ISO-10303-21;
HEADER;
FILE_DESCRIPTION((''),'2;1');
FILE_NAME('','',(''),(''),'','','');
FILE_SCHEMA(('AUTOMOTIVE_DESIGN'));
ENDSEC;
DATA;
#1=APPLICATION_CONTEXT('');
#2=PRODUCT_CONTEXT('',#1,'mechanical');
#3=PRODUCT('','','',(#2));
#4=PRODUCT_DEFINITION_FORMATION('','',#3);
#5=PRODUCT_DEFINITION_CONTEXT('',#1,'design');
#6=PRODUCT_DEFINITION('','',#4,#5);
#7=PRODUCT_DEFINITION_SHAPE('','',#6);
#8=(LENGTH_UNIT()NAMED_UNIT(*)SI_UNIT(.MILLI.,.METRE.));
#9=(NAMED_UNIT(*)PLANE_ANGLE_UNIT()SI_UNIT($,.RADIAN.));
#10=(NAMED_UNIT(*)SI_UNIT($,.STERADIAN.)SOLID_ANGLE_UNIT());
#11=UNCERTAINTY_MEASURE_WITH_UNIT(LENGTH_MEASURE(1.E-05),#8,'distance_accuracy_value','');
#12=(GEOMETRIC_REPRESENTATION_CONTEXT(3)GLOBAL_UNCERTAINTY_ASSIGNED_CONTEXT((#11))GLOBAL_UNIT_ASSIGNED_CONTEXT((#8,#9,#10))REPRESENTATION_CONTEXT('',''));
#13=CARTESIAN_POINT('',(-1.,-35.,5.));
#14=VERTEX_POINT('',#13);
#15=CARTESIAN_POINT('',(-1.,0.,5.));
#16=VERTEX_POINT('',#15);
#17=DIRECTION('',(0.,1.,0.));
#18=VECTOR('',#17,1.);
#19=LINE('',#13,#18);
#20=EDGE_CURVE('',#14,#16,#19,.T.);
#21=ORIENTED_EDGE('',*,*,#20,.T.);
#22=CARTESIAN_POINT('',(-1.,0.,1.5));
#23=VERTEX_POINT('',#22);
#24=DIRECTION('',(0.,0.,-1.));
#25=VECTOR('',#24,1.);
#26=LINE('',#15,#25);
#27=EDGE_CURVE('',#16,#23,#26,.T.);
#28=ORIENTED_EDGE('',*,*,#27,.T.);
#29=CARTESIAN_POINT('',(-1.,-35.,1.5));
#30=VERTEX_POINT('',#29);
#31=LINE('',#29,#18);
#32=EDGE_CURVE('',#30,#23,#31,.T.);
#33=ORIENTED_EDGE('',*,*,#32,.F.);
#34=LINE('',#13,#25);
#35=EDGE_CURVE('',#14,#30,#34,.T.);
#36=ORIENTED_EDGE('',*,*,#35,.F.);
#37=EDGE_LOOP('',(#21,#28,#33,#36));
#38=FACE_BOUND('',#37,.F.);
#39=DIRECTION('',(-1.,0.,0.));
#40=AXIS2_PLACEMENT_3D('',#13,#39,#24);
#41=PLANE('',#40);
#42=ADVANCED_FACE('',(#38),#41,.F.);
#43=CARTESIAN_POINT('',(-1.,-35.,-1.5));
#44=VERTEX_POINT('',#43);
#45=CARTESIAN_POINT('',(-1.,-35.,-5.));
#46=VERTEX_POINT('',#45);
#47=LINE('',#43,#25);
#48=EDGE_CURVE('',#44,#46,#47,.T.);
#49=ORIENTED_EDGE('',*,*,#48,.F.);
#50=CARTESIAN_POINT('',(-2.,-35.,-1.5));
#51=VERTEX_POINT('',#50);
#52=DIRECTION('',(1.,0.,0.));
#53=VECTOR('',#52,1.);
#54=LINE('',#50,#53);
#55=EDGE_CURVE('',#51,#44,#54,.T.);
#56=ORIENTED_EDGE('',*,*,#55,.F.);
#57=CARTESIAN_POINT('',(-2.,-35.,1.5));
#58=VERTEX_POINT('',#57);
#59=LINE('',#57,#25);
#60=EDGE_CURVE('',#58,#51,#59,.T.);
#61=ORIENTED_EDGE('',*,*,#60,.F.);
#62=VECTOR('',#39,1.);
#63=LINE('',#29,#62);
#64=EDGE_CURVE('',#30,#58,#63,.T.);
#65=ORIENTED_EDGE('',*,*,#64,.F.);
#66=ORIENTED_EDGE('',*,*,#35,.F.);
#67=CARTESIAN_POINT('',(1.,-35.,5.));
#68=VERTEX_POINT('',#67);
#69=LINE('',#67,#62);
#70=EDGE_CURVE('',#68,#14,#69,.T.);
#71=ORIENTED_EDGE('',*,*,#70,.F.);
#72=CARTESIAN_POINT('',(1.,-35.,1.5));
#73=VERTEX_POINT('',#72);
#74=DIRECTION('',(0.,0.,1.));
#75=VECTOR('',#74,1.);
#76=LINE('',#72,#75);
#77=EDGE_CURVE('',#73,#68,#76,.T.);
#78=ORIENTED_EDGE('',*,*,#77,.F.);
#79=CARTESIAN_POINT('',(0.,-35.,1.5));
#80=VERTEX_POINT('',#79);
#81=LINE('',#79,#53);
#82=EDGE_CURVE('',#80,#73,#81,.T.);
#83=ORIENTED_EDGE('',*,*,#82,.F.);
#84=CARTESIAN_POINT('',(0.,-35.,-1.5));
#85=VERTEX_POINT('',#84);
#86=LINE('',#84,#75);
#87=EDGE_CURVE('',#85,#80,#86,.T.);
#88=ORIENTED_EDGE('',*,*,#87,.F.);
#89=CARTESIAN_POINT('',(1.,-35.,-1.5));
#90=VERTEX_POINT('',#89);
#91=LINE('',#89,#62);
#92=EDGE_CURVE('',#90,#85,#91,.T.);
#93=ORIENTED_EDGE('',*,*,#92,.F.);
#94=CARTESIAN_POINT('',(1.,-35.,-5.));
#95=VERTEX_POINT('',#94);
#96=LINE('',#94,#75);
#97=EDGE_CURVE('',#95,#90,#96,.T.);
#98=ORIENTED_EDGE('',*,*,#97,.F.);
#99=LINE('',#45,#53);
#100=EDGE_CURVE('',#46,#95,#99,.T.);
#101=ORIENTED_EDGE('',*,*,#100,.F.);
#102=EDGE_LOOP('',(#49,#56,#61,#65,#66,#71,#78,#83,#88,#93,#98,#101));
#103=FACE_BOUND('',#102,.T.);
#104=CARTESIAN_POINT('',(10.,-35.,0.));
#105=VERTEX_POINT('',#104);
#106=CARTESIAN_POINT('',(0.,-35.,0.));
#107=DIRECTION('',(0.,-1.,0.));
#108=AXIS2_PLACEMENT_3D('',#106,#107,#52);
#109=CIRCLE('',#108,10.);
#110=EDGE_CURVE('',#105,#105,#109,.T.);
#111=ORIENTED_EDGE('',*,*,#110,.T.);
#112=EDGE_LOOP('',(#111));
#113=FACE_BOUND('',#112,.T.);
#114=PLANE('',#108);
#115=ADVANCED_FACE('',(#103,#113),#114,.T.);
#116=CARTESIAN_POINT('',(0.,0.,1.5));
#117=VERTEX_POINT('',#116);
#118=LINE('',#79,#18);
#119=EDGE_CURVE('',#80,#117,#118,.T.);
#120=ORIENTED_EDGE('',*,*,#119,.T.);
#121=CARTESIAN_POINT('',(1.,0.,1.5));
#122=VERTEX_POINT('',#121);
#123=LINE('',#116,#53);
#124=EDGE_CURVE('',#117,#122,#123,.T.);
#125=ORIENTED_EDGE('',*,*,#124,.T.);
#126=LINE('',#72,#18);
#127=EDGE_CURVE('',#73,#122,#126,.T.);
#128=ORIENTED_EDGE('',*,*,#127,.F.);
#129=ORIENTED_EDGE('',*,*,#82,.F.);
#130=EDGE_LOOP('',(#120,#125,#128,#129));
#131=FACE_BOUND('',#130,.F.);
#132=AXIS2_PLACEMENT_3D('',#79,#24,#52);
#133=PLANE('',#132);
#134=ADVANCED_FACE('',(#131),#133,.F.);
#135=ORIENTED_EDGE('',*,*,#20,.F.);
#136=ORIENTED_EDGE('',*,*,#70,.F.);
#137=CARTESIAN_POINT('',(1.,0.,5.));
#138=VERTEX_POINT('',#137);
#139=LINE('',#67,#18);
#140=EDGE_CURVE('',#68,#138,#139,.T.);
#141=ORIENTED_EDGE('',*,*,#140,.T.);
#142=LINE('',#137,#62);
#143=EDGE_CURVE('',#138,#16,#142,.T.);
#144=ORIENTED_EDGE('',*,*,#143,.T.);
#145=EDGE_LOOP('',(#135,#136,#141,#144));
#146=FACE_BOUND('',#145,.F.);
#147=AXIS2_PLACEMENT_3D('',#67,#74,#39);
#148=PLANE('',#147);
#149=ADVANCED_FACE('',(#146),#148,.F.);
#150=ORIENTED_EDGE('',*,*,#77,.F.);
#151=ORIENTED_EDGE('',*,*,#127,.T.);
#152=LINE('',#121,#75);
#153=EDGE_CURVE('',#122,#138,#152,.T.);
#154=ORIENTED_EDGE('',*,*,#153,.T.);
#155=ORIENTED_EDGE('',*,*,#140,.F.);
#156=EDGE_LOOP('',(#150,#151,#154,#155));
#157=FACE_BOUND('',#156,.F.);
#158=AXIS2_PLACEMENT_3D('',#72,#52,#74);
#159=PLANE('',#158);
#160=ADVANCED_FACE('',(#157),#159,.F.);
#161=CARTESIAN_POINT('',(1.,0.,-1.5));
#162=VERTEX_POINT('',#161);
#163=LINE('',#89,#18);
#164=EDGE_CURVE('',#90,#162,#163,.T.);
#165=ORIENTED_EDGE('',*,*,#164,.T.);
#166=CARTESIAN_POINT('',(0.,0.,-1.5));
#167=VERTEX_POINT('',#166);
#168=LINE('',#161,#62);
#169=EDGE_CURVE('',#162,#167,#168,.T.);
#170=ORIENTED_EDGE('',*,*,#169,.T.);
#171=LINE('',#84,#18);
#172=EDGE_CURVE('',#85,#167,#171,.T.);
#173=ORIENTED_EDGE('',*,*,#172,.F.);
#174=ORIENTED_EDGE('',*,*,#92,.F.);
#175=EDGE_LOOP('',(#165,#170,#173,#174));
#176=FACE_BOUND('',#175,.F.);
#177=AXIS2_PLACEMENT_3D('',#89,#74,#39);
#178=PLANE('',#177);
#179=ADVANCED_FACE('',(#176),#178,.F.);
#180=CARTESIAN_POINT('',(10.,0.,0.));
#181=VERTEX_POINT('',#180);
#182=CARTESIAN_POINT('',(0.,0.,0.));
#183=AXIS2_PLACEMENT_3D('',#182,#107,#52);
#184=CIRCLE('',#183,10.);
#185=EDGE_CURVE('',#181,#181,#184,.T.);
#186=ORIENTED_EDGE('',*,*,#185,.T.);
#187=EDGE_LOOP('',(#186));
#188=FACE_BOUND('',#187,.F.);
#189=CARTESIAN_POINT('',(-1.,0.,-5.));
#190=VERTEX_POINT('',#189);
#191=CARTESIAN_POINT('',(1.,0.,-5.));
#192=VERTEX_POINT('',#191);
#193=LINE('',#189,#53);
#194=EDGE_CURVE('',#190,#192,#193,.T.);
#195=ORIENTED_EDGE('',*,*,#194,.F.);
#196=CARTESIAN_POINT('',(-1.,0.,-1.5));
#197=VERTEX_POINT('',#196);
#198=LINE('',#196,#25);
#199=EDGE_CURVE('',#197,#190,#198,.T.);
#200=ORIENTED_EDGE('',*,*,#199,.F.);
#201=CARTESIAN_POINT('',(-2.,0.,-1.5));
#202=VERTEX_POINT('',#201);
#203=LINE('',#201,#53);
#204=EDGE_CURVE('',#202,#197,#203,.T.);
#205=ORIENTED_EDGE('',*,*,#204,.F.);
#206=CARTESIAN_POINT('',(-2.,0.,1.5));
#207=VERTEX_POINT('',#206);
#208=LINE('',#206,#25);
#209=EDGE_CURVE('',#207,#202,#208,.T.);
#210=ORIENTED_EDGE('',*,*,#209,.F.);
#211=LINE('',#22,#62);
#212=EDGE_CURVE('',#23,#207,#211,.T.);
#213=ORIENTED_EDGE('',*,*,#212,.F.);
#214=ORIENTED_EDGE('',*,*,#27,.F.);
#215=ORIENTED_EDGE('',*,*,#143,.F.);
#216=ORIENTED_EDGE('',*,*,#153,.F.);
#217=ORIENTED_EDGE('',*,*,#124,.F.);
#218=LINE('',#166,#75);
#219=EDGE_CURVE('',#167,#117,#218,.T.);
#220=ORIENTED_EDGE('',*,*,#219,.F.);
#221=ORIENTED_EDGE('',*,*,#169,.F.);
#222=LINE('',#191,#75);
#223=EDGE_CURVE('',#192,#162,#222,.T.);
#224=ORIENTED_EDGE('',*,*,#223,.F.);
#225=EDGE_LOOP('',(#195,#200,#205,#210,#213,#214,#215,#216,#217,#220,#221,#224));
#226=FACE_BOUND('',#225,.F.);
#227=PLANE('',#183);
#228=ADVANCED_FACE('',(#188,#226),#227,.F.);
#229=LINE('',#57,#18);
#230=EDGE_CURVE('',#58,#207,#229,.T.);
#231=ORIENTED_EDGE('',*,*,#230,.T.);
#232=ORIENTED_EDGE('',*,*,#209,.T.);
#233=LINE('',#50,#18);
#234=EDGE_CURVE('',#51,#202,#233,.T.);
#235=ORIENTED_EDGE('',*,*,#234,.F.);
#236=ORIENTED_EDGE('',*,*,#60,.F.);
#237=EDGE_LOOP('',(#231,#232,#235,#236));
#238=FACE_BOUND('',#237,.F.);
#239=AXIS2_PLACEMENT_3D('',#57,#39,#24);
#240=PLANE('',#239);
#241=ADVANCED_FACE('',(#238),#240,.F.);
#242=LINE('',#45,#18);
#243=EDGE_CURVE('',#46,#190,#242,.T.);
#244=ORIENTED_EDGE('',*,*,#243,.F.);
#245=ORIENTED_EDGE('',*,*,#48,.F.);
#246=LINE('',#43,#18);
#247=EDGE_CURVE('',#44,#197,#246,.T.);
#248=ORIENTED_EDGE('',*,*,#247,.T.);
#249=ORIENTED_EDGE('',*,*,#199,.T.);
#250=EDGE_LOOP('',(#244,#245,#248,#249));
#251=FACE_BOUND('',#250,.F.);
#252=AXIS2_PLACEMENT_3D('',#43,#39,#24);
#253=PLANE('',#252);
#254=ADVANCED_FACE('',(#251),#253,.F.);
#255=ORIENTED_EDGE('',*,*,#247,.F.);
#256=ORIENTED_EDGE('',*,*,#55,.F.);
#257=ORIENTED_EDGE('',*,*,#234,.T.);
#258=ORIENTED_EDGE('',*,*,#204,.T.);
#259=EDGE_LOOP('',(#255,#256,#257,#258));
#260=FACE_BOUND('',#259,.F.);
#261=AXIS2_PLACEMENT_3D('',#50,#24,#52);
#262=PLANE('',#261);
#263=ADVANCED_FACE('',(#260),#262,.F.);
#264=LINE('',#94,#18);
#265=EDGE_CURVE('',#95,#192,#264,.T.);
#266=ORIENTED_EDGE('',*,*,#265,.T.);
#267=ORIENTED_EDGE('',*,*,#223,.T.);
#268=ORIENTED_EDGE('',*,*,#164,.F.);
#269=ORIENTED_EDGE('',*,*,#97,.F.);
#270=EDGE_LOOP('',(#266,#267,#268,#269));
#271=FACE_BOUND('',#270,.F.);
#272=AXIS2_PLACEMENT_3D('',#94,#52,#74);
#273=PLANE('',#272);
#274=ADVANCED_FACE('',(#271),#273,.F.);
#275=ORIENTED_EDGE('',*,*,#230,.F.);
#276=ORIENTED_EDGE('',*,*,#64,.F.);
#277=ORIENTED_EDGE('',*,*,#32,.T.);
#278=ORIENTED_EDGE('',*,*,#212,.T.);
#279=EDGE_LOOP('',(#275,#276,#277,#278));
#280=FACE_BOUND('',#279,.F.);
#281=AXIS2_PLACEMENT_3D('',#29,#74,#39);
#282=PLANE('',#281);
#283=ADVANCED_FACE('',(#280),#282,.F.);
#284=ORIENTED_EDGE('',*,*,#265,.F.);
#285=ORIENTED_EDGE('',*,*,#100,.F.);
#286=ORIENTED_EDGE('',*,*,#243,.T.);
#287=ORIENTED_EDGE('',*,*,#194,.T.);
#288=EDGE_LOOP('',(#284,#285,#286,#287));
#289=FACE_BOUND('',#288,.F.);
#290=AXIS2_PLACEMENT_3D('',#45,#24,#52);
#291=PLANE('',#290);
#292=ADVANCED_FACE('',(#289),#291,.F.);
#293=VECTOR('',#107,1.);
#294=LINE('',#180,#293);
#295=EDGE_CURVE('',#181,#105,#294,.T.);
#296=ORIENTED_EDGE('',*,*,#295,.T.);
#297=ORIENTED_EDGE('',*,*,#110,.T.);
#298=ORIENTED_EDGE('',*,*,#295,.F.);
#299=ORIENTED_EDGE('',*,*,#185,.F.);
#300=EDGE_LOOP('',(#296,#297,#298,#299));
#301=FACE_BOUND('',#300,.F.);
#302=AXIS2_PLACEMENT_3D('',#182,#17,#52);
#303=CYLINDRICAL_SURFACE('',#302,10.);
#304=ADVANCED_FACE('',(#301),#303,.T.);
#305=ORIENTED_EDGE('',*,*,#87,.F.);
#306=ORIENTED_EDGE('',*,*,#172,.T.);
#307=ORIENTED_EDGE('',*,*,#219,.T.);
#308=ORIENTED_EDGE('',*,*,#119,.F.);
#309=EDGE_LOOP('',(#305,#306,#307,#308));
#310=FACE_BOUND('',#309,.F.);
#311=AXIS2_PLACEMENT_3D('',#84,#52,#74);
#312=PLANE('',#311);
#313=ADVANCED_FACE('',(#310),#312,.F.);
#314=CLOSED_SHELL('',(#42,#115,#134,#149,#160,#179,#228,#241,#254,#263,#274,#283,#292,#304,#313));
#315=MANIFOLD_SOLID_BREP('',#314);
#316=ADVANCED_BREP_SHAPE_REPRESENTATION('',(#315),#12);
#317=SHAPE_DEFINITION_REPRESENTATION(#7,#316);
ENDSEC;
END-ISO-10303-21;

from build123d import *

# Parameters (mm, degrees)
F0_R     = 10
F1_DEPTH = 35
F4_DEPTH = 35


with BuildPart() as f1:
    # F0 (on Front) → F1 (new body)
    with BuildSketch(Plane.XZ):
        Circle(F0_R)
    extrude(amount=F1_DEPTH)

    # F3 (on face) → F4 (cut, through all)
    with BuildSketch(Plane.XZ.offset(35)):
        Polygon((1, 1.5), (1, 5), (-1, 5), (-1, 1.5), (-2, 1.5), (-2, -1.5), (-1, -1.5), (-1, -5), (1, -5), (1, -1.5), (0, -1.5), (0, 1.5), align=None)
    extrude(amount=-F4_DEPTH, mode=Mode.SUBTRACT)


solid = f1.part
